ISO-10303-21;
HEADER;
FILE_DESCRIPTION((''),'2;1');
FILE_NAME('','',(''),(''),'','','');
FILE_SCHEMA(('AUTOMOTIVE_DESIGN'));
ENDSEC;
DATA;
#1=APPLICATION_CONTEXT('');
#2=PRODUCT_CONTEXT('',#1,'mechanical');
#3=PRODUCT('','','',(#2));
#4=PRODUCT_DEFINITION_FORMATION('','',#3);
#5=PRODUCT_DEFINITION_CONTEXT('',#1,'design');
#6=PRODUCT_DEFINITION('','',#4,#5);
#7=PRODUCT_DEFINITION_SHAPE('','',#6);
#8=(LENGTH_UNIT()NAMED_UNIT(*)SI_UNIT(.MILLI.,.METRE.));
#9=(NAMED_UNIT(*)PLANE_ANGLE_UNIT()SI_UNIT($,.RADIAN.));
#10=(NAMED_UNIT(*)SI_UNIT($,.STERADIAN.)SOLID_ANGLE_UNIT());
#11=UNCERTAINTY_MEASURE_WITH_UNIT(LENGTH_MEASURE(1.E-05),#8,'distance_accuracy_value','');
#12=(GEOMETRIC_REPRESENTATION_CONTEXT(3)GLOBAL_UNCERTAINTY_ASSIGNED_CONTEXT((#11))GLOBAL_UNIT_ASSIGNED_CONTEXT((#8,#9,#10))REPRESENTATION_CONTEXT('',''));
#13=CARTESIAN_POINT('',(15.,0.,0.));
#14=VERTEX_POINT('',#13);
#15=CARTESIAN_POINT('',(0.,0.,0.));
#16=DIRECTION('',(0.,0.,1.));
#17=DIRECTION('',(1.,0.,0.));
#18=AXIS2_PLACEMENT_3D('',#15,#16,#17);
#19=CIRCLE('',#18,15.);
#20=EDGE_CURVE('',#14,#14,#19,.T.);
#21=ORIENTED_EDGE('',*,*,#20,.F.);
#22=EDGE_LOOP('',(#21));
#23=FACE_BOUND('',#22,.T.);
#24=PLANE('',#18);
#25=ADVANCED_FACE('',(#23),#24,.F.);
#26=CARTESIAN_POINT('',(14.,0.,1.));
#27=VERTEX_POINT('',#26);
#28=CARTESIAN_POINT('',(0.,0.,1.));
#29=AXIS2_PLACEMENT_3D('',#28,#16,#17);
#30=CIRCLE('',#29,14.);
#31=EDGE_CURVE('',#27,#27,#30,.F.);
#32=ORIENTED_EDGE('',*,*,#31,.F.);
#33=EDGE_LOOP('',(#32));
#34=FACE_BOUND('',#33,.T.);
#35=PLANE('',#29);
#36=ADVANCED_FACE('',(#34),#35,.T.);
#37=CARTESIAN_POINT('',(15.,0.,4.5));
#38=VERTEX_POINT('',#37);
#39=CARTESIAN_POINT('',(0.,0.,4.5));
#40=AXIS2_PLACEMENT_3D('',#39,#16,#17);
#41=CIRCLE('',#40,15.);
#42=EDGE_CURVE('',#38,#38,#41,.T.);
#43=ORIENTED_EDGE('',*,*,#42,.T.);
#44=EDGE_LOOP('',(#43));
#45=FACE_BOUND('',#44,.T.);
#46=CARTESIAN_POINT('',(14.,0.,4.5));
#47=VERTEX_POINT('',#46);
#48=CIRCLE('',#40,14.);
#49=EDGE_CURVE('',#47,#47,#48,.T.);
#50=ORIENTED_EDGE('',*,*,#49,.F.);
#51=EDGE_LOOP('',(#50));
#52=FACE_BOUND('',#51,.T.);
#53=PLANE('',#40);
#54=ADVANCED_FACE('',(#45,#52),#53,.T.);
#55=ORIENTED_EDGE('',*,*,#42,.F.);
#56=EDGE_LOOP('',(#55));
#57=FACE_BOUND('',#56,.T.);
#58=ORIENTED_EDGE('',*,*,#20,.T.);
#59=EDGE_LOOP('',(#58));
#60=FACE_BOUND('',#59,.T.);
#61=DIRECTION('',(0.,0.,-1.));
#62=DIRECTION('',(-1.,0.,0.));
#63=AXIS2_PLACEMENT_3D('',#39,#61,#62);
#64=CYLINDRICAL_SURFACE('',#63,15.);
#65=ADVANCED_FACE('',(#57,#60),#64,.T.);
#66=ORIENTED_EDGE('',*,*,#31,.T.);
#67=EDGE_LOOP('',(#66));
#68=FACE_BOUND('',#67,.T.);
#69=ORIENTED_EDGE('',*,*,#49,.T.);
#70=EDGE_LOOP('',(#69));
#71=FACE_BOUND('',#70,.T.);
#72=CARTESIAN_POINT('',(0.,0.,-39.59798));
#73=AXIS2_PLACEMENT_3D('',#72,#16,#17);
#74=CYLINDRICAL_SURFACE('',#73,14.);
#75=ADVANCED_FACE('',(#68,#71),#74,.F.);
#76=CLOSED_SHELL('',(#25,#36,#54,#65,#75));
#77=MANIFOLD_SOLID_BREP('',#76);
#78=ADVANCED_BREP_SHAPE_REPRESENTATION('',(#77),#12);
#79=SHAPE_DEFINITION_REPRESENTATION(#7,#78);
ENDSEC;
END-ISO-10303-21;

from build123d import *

# Parameters (mm, degrees)
SKETCH2_R           = 15
BOSS_EXTRUDE1_DEPTH = 4.5
SKETCH3_R           = 14
CUT_EXTRUDE1_DEPTH  = 3.5


with BuildPart() as part:
    # Sketch2 → Boss-Extrude1 (new body)
    with BuildSketch(Plane.XY):
        Circle(SKETCH2_R)
    extrude(amount=BOSS_EXTRUDE1_DEPTH)

    # Sketch3 → Cut-Extrude1 (cut)
    with BuildSketch(Plane.XY.offset(4.5)):
        Circle(SKETCH3_R)
    extrude(amount=-CUT_EXTRUDE1_DEPTH, mode=Mode.SUBTRACT)


solid = part.part
